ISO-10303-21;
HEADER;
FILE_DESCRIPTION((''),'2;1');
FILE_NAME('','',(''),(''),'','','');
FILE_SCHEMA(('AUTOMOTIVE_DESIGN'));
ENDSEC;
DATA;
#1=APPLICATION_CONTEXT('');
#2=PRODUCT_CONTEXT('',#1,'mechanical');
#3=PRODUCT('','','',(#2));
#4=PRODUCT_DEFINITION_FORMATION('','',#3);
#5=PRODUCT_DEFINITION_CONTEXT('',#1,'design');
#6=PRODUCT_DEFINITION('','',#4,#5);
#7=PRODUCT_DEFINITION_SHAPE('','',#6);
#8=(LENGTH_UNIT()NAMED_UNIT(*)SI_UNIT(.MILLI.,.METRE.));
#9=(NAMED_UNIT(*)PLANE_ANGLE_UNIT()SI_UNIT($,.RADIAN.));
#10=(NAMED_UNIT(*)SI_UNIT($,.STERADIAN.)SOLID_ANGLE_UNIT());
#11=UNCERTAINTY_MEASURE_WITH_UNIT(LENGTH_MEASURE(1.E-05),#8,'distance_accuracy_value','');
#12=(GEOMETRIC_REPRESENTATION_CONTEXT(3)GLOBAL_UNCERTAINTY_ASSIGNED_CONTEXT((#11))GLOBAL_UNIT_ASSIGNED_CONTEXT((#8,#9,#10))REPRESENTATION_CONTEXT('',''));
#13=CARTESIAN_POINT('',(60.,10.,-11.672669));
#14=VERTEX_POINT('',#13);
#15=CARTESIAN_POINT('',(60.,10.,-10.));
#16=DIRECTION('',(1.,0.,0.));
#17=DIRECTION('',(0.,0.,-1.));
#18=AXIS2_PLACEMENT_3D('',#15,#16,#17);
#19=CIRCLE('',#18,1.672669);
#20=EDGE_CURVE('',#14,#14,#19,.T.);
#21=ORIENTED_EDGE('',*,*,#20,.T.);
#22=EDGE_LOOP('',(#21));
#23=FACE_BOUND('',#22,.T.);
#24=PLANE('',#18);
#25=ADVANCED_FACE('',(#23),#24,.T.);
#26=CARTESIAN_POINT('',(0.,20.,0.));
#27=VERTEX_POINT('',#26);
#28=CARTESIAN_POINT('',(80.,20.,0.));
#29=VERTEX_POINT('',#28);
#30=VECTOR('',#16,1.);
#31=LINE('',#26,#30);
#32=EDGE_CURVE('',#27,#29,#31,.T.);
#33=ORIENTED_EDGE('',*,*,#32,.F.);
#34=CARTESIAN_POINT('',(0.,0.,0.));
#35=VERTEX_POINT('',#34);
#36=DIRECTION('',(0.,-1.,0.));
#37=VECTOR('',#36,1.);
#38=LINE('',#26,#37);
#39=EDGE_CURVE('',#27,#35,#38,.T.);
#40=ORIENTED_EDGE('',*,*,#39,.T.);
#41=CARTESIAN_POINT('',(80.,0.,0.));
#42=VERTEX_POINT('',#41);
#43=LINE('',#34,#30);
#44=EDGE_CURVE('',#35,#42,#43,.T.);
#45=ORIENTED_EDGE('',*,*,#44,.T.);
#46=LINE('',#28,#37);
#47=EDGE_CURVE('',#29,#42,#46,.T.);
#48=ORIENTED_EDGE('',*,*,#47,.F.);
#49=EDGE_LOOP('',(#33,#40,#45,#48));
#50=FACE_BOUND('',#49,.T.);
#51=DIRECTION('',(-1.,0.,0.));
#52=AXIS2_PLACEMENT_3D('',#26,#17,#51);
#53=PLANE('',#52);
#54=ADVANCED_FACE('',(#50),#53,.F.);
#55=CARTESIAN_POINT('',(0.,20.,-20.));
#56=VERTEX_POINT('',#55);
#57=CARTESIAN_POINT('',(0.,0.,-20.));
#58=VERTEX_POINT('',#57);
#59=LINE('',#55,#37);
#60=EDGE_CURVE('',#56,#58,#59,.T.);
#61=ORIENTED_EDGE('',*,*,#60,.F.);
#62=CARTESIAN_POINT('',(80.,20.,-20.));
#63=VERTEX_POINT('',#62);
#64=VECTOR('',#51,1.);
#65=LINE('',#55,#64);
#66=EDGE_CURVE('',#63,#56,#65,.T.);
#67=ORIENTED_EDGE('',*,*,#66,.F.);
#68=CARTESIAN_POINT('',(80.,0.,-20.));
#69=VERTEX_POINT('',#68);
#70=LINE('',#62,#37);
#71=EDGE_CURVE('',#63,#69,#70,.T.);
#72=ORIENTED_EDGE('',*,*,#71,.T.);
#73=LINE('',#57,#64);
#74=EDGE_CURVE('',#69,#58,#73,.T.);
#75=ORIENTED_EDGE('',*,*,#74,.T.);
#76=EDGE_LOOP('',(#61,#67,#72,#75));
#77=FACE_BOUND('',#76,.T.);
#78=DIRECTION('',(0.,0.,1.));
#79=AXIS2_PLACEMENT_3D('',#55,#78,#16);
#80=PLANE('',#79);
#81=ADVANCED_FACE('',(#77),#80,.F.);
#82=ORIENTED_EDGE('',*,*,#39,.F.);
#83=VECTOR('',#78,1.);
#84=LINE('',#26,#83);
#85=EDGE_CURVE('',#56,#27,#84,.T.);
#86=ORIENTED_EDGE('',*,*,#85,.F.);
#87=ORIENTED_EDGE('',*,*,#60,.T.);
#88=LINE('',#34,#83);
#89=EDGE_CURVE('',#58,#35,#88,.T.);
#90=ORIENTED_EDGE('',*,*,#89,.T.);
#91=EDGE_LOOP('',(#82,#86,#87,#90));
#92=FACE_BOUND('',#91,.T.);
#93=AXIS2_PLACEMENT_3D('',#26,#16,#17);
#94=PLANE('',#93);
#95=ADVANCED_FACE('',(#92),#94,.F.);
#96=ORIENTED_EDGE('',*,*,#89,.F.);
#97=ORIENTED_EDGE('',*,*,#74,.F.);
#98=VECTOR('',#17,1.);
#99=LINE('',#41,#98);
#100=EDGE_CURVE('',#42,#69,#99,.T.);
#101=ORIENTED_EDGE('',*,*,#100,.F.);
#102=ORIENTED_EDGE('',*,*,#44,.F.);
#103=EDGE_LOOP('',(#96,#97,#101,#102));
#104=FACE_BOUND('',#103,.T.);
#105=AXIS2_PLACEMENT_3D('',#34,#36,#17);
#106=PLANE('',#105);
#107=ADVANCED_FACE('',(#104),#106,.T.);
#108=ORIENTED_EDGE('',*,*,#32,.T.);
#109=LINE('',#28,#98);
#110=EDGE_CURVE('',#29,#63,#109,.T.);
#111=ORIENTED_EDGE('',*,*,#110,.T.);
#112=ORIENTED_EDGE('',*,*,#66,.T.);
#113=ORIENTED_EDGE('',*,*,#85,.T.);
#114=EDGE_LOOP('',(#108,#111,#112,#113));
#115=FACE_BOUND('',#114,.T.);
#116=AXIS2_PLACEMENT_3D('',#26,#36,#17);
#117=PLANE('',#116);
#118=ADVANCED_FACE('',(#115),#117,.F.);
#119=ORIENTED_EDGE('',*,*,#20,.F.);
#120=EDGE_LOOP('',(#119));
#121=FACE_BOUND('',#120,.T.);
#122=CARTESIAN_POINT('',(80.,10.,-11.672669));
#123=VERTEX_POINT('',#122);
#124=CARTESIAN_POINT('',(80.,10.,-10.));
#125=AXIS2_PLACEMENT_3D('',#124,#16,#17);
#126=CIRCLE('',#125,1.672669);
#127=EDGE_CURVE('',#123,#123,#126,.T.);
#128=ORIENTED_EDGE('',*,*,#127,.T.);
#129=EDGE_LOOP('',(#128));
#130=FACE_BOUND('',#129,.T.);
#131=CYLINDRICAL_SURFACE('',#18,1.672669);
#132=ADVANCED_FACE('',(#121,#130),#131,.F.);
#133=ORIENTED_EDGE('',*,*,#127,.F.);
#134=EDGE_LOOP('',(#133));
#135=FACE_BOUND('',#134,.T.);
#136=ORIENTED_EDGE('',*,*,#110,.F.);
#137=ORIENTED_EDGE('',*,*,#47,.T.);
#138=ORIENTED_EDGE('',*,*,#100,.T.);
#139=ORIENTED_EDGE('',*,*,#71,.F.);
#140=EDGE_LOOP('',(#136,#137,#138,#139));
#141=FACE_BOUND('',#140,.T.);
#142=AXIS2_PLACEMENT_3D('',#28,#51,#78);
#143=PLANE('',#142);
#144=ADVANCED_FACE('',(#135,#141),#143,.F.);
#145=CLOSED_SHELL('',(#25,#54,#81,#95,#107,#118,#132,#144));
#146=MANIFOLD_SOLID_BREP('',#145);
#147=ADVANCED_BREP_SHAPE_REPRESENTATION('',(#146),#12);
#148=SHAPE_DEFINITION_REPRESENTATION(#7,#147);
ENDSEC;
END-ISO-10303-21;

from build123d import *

# Parameters (mm, degrees)
SKETCH1_W           = 80
SKETCH1_H           = 20
BOSS_EXTRUDE1_DEPTH = 20
SKETCH2_R           = 1.672668985
CUT_EXTRUDE1_DEPTH  = 20


with BuildPart() as part:
    # Sketch1 → Boss-Extrude1 (new body)
    with BuildSketch(Plane(origin=(0, 0, 0), x_dir=(1, 0, 0), z_dir=(0, 1, 0))):
        with Locations((40, 10)):
            Rectangle(SKETCH1_W, SKETCH1_H)
    extrude(amount=BOSS_EXTRUDE1_DEPTH)

    # Sketch2 → Cut-Extrude1 (cut)
    with BuildSketch(Plane(origin=(80, 0, 0), x_dir=(0, 0, -1), z_dir=(1, 0, 0))):
        with Locations((10, 10)):
            Circle(SKETCH2_R)
    extrude(amount=-CUT_EXTRUDE1_DEPTH, mode=Mode.SUBTRACT)


solid = part.part
